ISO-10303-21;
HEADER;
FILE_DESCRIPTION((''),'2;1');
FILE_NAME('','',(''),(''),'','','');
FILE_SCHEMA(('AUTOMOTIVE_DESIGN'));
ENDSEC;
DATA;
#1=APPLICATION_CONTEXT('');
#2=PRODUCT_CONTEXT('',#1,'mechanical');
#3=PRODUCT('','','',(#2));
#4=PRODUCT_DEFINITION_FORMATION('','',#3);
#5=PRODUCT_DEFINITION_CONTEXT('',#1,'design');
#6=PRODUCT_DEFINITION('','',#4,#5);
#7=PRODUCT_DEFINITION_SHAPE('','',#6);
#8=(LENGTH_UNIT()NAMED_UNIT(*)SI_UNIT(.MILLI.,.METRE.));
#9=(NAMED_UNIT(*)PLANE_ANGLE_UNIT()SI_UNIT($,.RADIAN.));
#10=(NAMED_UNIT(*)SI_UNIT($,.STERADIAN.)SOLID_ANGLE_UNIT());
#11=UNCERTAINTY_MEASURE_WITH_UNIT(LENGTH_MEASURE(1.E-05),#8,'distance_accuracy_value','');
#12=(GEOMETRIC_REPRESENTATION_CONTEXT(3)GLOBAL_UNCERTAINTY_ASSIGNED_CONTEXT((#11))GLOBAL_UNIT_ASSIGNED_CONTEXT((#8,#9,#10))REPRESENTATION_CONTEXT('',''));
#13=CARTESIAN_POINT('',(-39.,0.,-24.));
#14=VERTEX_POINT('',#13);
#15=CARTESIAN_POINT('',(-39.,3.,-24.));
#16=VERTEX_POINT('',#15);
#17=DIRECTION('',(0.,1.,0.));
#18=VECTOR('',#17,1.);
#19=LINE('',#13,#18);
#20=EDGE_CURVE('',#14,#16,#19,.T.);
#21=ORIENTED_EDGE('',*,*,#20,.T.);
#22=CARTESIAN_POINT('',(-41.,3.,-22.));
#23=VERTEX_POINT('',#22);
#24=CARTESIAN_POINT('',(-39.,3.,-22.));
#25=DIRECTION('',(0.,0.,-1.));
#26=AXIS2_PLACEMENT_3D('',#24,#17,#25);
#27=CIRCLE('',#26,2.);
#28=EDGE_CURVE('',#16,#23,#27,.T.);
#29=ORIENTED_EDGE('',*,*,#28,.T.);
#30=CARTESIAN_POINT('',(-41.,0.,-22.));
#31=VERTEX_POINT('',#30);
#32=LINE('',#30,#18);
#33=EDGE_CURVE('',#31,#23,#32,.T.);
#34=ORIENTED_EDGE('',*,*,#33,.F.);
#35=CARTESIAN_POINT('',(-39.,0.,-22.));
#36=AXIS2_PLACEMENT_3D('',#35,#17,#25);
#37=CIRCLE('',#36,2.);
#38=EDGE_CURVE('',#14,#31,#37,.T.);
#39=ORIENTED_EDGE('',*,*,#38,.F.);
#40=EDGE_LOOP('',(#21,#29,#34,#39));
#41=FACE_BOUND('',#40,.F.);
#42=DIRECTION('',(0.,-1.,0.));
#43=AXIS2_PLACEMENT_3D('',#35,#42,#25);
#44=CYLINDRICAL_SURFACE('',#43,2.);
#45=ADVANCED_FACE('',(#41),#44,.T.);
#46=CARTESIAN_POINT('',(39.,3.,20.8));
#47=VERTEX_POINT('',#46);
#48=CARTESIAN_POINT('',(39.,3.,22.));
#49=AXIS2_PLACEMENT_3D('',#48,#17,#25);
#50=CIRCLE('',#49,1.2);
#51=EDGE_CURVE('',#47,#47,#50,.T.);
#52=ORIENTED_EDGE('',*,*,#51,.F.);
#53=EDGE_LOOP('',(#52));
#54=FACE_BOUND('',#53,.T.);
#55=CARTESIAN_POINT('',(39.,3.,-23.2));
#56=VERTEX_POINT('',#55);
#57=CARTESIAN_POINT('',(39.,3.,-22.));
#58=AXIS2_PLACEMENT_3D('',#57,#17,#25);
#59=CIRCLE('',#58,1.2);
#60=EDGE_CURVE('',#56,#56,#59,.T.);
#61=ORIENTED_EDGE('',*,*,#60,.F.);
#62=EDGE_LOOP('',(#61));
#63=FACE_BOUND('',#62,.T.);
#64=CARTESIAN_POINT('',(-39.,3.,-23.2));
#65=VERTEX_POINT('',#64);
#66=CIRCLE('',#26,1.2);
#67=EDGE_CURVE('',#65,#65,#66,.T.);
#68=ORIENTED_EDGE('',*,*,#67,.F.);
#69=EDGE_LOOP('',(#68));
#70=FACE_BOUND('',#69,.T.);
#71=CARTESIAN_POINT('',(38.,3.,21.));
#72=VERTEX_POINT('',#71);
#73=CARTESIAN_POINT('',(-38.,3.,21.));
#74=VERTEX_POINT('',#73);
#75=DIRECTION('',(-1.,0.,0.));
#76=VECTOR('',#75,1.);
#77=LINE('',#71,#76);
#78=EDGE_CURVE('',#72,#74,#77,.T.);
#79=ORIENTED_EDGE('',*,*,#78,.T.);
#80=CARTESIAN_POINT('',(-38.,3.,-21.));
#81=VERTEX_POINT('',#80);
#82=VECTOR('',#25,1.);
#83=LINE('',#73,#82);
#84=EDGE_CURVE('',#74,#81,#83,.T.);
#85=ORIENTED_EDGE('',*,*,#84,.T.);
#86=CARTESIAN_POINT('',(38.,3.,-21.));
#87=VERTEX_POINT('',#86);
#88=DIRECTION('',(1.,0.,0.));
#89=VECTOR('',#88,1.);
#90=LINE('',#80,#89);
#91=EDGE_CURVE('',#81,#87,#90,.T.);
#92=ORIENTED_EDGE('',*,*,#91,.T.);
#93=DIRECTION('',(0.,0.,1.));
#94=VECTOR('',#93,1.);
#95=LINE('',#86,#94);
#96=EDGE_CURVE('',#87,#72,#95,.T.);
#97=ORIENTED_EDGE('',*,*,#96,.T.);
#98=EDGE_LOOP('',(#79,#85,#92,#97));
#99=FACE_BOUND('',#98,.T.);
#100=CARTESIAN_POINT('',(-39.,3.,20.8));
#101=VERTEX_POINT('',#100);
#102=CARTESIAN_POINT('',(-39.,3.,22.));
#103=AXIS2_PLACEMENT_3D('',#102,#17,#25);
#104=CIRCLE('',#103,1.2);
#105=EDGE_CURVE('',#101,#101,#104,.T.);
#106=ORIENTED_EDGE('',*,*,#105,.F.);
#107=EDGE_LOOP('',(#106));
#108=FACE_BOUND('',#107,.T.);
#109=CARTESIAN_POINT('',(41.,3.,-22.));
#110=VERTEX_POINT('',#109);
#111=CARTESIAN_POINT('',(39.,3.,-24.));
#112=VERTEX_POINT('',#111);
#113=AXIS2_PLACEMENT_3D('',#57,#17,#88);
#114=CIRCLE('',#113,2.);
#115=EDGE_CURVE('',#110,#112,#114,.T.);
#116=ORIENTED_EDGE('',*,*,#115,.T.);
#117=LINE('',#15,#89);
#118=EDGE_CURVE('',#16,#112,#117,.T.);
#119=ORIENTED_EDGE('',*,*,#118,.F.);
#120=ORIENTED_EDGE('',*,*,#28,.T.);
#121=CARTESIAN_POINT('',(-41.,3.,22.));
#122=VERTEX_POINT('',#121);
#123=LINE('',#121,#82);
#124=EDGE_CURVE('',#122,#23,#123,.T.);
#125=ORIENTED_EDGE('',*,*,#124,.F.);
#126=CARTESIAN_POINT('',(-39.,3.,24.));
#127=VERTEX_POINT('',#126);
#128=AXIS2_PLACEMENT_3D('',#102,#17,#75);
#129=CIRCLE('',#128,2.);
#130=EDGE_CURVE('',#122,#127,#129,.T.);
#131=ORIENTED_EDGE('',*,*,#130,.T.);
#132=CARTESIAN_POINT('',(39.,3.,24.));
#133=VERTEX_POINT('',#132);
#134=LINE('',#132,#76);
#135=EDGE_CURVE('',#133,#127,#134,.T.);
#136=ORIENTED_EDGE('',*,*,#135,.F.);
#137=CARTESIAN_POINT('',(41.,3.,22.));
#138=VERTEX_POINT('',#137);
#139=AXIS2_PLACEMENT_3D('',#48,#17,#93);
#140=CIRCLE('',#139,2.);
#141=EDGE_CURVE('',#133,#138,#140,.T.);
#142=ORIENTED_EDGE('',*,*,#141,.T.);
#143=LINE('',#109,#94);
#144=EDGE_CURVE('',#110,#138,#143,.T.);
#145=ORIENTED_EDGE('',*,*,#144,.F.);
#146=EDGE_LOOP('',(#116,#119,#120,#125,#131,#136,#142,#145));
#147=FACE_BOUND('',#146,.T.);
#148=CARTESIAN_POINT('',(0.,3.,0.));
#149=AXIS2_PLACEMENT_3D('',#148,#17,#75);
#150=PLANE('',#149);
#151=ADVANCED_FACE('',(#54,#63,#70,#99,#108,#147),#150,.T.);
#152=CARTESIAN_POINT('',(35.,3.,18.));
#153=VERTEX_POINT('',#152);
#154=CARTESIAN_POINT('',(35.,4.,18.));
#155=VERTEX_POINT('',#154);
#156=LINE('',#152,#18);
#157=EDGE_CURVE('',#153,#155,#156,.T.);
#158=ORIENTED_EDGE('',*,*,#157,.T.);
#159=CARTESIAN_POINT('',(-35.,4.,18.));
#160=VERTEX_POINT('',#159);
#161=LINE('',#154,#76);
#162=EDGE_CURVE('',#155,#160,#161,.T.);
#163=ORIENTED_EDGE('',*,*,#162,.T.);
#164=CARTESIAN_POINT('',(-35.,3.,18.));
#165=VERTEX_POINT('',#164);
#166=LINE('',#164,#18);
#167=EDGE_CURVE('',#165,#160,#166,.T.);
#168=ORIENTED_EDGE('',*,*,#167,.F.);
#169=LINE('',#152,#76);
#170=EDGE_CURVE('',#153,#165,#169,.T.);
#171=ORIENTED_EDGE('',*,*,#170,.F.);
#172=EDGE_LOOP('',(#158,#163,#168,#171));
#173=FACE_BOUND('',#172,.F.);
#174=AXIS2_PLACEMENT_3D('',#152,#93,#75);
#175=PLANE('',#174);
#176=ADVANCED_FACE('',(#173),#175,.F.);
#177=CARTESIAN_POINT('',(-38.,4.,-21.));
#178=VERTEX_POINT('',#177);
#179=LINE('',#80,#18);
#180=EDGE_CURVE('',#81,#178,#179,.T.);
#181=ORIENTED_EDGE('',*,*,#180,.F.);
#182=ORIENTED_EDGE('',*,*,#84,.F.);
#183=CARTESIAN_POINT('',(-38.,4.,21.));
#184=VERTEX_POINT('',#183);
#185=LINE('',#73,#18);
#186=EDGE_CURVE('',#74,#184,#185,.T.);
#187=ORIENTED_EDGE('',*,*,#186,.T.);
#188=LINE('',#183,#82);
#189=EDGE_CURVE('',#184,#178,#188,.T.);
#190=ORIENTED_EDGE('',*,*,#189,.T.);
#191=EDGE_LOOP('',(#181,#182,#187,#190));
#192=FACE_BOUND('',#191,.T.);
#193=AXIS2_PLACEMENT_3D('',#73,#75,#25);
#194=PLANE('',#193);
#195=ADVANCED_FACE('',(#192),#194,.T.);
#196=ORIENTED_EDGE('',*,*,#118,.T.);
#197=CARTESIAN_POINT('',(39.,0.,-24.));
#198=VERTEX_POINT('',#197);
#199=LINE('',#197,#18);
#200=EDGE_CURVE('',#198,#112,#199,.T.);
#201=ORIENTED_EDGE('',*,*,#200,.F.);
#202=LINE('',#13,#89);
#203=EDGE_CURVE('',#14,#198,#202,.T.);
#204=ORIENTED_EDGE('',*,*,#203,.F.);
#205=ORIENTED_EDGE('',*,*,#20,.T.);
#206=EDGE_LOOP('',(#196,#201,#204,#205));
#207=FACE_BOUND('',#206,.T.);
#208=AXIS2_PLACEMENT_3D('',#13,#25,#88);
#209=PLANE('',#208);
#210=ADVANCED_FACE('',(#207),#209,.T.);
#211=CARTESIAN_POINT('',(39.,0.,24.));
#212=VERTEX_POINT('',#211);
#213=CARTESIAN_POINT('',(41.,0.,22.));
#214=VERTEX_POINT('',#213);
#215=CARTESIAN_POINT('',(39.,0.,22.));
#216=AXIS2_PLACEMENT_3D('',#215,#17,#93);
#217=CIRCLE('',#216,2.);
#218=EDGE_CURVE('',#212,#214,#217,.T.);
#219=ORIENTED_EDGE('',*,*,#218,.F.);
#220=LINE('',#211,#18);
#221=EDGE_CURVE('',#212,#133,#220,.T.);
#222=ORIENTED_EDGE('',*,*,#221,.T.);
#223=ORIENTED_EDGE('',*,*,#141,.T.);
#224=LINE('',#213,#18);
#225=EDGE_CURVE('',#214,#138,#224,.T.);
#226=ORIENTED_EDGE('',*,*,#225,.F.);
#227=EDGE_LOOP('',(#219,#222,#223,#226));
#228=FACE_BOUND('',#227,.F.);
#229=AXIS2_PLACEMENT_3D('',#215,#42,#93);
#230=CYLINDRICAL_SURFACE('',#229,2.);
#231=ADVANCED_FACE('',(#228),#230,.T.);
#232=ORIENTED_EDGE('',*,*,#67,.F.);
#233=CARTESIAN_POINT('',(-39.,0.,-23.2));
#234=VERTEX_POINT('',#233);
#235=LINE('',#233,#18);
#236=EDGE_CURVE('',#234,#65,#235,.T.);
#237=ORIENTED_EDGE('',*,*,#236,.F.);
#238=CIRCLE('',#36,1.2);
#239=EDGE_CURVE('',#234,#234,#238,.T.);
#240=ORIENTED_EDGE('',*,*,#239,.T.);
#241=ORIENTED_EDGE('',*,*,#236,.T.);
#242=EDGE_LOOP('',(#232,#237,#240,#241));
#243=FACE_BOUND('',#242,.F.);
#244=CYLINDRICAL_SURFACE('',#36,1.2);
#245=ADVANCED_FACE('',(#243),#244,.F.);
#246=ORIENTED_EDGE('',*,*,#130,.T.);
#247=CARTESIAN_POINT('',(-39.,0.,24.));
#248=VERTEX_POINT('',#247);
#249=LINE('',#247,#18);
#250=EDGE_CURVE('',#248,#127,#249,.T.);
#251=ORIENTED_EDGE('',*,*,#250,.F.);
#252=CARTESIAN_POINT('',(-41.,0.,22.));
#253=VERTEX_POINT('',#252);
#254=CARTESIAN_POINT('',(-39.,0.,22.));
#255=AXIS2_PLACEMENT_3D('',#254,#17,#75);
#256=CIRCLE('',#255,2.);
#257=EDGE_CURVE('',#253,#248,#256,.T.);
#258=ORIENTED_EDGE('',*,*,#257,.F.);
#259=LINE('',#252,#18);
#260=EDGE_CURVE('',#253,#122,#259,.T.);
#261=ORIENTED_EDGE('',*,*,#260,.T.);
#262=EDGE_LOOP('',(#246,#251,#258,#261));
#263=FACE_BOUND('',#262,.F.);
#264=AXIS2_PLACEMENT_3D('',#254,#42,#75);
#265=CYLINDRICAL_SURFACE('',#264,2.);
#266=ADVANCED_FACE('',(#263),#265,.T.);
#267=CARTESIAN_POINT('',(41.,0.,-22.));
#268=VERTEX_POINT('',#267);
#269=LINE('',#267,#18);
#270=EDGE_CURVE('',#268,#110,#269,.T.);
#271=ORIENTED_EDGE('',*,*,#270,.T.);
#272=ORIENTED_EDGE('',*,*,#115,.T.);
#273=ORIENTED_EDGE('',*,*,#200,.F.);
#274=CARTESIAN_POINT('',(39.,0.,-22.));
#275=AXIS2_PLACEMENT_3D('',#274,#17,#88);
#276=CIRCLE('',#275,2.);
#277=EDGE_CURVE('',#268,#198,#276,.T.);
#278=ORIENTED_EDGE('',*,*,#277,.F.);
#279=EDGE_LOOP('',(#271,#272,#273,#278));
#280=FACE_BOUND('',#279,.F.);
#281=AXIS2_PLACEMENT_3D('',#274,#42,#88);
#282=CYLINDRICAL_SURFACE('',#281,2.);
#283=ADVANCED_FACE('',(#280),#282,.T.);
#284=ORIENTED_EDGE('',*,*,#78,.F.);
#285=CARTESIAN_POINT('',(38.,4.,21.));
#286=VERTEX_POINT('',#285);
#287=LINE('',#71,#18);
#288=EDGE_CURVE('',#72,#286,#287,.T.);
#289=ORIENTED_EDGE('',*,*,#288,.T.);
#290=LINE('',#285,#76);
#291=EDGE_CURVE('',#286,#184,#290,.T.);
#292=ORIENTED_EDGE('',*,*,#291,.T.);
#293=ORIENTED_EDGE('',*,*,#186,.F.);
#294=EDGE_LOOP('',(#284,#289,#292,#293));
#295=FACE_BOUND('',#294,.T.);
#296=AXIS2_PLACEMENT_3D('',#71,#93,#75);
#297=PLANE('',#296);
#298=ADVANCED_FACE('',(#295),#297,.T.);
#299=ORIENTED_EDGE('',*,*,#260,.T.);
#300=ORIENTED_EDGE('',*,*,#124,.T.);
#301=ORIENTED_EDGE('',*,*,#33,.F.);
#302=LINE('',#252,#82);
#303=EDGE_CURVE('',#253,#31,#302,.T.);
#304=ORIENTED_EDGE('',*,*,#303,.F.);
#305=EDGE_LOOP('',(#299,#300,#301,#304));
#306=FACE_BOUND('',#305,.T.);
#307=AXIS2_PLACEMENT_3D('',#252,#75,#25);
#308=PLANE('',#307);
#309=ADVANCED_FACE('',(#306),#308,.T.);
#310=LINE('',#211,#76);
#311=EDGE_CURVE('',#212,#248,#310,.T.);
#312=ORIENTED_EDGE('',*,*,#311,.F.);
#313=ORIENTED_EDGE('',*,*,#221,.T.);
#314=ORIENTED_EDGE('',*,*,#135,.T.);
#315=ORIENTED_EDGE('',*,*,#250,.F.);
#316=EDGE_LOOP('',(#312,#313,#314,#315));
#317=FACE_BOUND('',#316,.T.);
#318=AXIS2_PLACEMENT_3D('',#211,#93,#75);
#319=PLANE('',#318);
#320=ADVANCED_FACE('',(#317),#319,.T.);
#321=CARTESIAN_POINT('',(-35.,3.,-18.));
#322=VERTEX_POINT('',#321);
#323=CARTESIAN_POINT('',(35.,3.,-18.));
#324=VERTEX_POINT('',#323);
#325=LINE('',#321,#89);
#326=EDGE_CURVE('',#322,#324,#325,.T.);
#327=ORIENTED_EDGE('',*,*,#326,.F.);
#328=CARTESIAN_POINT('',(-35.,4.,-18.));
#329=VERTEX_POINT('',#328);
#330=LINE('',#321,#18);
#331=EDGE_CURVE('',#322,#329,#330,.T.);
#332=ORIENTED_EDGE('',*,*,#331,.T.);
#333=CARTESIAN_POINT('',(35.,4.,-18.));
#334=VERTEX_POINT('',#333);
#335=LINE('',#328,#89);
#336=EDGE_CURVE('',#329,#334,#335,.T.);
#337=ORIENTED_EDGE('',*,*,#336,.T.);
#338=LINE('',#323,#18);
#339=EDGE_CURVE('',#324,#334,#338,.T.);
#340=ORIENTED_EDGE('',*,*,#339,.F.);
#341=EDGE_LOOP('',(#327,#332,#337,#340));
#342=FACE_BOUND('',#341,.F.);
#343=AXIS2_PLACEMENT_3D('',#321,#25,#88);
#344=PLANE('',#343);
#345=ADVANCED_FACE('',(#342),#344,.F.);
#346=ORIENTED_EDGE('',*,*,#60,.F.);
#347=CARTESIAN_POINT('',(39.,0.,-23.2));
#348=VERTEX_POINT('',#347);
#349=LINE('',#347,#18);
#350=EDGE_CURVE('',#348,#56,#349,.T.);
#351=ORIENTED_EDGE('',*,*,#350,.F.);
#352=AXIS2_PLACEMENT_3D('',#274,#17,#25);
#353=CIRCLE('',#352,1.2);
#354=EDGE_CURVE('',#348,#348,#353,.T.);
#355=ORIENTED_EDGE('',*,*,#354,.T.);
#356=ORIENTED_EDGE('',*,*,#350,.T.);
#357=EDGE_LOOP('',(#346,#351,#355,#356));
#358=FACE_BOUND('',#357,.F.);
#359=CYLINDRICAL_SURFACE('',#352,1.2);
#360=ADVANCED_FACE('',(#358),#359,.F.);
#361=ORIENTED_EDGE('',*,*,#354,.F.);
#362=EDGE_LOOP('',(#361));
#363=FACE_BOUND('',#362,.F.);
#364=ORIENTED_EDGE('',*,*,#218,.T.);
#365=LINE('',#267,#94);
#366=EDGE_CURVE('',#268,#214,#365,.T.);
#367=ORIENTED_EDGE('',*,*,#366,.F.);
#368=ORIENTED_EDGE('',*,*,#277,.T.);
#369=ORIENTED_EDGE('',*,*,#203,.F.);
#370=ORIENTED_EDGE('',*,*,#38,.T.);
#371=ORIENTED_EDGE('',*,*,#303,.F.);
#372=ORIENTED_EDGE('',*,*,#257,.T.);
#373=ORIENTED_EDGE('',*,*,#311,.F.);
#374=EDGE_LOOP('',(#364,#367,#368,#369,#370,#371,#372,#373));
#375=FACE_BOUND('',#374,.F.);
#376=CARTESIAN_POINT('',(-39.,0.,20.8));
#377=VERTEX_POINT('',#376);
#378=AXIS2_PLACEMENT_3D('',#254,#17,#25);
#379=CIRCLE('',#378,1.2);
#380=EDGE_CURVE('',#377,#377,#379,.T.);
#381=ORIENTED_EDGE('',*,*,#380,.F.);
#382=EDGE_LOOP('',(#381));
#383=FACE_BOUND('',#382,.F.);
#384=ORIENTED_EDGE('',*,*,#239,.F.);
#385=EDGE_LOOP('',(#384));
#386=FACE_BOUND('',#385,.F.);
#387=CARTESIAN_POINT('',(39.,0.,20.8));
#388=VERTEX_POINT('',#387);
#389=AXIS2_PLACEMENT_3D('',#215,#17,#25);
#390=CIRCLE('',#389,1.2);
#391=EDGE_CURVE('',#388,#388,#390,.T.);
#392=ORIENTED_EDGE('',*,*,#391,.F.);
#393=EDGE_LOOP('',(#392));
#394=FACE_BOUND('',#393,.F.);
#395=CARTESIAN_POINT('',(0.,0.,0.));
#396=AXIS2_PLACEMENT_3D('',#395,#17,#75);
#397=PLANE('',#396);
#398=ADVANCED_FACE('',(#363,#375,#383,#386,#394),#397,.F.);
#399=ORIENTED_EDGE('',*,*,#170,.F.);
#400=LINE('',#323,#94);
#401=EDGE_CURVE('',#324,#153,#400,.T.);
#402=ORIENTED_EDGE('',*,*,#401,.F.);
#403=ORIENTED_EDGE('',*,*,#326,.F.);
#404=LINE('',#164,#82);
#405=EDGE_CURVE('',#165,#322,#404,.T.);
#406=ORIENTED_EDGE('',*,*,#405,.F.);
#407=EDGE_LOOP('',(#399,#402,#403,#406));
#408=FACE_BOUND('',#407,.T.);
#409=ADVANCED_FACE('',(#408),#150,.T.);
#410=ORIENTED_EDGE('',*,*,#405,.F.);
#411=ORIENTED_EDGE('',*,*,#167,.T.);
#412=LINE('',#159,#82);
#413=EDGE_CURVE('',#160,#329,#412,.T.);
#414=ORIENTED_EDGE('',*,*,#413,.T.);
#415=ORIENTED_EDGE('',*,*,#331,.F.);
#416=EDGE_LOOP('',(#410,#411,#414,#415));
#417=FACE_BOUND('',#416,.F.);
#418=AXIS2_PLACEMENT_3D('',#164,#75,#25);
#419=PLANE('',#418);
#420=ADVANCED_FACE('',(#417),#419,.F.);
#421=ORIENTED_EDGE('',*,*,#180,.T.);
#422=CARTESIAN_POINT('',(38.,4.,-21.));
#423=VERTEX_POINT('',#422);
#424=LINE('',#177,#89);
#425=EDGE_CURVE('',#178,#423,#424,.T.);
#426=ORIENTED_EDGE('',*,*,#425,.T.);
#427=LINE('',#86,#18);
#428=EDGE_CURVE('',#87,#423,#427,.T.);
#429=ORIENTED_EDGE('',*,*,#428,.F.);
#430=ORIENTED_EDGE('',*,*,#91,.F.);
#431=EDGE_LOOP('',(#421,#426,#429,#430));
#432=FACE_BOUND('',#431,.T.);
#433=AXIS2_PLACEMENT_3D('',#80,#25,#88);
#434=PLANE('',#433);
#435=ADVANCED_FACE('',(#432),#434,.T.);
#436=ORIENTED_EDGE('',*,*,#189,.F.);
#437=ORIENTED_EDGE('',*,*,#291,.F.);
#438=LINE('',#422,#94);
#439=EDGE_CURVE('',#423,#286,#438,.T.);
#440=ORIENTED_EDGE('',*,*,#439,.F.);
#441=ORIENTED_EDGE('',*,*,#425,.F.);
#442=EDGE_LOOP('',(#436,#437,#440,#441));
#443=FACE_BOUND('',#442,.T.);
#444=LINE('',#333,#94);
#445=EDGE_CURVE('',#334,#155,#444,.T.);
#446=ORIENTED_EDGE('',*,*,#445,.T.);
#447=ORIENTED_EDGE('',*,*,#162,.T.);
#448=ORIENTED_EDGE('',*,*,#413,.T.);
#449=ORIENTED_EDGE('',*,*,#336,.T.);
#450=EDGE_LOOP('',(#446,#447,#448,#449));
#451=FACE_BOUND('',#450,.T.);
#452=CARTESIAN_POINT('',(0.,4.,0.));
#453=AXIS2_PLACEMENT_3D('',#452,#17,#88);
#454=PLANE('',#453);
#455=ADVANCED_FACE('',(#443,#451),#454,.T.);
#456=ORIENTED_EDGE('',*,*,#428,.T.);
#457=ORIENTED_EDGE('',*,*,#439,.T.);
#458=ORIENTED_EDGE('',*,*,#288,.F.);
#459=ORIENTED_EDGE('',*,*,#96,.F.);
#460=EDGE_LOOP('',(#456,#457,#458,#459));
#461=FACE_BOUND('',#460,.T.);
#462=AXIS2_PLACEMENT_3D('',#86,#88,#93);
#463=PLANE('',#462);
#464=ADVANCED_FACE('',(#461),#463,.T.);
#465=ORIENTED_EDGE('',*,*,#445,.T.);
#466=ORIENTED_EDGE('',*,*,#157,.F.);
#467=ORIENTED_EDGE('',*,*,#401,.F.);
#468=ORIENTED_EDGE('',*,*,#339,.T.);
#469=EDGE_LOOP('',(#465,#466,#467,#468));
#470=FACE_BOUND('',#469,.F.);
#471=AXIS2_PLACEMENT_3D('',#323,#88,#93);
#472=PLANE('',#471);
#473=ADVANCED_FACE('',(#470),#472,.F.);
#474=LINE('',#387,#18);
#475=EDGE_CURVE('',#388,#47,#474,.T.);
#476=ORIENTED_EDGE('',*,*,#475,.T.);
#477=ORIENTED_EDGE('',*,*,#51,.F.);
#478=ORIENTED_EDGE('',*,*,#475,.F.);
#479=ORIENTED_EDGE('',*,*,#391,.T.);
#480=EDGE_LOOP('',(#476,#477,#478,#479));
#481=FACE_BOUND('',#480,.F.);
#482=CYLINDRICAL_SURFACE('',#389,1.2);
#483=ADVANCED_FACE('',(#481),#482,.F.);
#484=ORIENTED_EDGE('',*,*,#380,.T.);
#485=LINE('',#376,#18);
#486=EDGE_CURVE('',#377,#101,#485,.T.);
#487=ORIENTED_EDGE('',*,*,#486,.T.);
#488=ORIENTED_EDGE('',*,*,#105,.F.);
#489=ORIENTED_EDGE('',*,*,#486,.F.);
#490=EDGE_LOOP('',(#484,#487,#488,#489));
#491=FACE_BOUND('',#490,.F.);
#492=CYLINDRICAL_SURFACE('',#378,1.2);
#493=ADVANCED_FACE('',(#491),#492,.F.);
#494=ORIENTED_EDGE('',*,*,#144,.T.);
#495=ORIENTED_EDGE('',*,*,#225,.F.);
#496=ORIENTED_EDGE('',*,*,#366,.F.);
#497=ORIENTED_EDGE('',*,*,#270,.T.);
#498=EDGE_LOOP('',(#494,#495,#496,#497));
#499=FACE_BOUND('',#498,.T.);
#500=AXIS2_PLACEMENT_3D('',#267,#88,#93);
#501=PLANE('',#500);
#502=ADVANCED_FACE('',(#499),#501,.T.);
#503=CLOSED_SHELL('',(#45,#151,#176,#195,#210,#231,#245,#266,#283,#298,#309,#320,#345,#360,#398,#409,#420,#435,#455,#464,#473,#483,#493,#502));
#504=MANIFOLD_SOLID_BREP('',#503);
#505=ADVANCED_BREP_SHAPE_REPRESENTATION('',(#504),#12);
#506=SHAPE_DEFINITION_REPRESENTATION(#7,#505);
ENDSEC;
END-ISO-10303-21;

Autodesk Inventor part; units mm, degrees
ref_plane "YZ Plane" through (0, 0, 0) normal (1, 0, 0) x (0, 1, 0)
ref_plane "XZ Plane" through (0, 0, 0) normal (0, 1, 0) x (-1, 0, 0)
ref_plane "XY Plane" through (0, 0, 0) normal (0, 0, 1) x (1, 0, 0)
sketch "Boceto1" plane through (0, 0, 0) normal (0, 1, 0) x (-1, 0, 0)
  line L0 (-39, 24) -> (39, 24)
  line L1 (41, 22) -> (41, -22)
  line L2 (39, -24) -> (-39, -24)
  line L3 (-41, -22) -> (-41, 22)
  line L4 (-41, 24) -> (41, -24) construction
  line L5 (41, 24) -> (-41, -24) construction
  arc A0 (39, -24) -> (41, -22) centre (39, -22) ccw
  arc A1 (-41, -22) -> (-39, -24) centre (-39, -22) ccw
  arc A2 (-39, 24) -> (-41, 22) centre (-39, 22) ccw
  arc A3 (41, 22) -> (39, 24) centre (39, 22) ccw
  point P0 (0, 0)
  dimension "d0" = 82
  dimension "d1" = 48
  dimension "d2" = 2
extrude "Extrusión1" add sketch "Boceto1" along normal blind 3
sketch "Boceto2" plane through (0, 3, 0) normal (0, 1, 0) x (1, 0, 0)
  line L0 (38, -21) -> (-38, -21)
  line L1 (-38, -21) -> (-38, 21)
  line L2 (-38, 21) -> (38, 21)
  line L3 (38, 21) -> (38, -21)
  line L4 (38, -21) -> (-38, 21) construction
  line L5 (-38, -21) -> (38, 21) construction
  line L6 (39, 24) -> (-39, 24) projected
  line L7 (41, -22) -> (41, 22) projected
  line L8 (35, -18) -> (-35, -18)
  line L9 (-35, -18) -> (-35, 18)
  line L10 (-35, 18) -> (35, 18)
  line L11 (35, 18) -> (35, -18)
  line L12 (35, -18) -> (-35, 18) construction
  line L13 (-35, -18) -> (35, 18) construction
  point P0 (0, 0)
  dimension "d5" = 3
  dimension "d6" = 3
  dimension "d7" = 3
  dimension "d8" = 3
extrude "Extrusión2" add sketch "Boceto2" along normal blind 1
sketch "Boceto3" plane through (0, 0, 0) normal (0, -1, 0) x (1, 0, 0)
  point P0 (-39, 22)
hole "Agujero1" at (-39, 0, 22) direction (0, 1, 0) diameter 2.4 end through all
sketch "Boceto4" plane through (0, 0, 0) normal (0, -1, 0) x (1, 0, 0)
  point P0 (-39, -22)
hole "Agujero2" at (-39, 0, -22) direction (0, 1, 0) diameter 2.4 end through all
sketch "Boceto5" plane through (0, 0, 0) normal (0, -1, 0) x (1, 0, 0)
  point P0 (39, 22)
hole "Agujero3" at (39, 0, 22) direction (0, 1, 0) diameter 2.4 end through all
sketch "Boceto6" plane through (0, 0, 0) normal (0, -1, 0) x (1, 0, 0)
  point P0 (39, -22)
hole "Agujero4" at (39, 0, -22) direction (0, 1, 0) diameter 2.4 end through all
properties part number "Tapa principal" material "Plástico PET"
